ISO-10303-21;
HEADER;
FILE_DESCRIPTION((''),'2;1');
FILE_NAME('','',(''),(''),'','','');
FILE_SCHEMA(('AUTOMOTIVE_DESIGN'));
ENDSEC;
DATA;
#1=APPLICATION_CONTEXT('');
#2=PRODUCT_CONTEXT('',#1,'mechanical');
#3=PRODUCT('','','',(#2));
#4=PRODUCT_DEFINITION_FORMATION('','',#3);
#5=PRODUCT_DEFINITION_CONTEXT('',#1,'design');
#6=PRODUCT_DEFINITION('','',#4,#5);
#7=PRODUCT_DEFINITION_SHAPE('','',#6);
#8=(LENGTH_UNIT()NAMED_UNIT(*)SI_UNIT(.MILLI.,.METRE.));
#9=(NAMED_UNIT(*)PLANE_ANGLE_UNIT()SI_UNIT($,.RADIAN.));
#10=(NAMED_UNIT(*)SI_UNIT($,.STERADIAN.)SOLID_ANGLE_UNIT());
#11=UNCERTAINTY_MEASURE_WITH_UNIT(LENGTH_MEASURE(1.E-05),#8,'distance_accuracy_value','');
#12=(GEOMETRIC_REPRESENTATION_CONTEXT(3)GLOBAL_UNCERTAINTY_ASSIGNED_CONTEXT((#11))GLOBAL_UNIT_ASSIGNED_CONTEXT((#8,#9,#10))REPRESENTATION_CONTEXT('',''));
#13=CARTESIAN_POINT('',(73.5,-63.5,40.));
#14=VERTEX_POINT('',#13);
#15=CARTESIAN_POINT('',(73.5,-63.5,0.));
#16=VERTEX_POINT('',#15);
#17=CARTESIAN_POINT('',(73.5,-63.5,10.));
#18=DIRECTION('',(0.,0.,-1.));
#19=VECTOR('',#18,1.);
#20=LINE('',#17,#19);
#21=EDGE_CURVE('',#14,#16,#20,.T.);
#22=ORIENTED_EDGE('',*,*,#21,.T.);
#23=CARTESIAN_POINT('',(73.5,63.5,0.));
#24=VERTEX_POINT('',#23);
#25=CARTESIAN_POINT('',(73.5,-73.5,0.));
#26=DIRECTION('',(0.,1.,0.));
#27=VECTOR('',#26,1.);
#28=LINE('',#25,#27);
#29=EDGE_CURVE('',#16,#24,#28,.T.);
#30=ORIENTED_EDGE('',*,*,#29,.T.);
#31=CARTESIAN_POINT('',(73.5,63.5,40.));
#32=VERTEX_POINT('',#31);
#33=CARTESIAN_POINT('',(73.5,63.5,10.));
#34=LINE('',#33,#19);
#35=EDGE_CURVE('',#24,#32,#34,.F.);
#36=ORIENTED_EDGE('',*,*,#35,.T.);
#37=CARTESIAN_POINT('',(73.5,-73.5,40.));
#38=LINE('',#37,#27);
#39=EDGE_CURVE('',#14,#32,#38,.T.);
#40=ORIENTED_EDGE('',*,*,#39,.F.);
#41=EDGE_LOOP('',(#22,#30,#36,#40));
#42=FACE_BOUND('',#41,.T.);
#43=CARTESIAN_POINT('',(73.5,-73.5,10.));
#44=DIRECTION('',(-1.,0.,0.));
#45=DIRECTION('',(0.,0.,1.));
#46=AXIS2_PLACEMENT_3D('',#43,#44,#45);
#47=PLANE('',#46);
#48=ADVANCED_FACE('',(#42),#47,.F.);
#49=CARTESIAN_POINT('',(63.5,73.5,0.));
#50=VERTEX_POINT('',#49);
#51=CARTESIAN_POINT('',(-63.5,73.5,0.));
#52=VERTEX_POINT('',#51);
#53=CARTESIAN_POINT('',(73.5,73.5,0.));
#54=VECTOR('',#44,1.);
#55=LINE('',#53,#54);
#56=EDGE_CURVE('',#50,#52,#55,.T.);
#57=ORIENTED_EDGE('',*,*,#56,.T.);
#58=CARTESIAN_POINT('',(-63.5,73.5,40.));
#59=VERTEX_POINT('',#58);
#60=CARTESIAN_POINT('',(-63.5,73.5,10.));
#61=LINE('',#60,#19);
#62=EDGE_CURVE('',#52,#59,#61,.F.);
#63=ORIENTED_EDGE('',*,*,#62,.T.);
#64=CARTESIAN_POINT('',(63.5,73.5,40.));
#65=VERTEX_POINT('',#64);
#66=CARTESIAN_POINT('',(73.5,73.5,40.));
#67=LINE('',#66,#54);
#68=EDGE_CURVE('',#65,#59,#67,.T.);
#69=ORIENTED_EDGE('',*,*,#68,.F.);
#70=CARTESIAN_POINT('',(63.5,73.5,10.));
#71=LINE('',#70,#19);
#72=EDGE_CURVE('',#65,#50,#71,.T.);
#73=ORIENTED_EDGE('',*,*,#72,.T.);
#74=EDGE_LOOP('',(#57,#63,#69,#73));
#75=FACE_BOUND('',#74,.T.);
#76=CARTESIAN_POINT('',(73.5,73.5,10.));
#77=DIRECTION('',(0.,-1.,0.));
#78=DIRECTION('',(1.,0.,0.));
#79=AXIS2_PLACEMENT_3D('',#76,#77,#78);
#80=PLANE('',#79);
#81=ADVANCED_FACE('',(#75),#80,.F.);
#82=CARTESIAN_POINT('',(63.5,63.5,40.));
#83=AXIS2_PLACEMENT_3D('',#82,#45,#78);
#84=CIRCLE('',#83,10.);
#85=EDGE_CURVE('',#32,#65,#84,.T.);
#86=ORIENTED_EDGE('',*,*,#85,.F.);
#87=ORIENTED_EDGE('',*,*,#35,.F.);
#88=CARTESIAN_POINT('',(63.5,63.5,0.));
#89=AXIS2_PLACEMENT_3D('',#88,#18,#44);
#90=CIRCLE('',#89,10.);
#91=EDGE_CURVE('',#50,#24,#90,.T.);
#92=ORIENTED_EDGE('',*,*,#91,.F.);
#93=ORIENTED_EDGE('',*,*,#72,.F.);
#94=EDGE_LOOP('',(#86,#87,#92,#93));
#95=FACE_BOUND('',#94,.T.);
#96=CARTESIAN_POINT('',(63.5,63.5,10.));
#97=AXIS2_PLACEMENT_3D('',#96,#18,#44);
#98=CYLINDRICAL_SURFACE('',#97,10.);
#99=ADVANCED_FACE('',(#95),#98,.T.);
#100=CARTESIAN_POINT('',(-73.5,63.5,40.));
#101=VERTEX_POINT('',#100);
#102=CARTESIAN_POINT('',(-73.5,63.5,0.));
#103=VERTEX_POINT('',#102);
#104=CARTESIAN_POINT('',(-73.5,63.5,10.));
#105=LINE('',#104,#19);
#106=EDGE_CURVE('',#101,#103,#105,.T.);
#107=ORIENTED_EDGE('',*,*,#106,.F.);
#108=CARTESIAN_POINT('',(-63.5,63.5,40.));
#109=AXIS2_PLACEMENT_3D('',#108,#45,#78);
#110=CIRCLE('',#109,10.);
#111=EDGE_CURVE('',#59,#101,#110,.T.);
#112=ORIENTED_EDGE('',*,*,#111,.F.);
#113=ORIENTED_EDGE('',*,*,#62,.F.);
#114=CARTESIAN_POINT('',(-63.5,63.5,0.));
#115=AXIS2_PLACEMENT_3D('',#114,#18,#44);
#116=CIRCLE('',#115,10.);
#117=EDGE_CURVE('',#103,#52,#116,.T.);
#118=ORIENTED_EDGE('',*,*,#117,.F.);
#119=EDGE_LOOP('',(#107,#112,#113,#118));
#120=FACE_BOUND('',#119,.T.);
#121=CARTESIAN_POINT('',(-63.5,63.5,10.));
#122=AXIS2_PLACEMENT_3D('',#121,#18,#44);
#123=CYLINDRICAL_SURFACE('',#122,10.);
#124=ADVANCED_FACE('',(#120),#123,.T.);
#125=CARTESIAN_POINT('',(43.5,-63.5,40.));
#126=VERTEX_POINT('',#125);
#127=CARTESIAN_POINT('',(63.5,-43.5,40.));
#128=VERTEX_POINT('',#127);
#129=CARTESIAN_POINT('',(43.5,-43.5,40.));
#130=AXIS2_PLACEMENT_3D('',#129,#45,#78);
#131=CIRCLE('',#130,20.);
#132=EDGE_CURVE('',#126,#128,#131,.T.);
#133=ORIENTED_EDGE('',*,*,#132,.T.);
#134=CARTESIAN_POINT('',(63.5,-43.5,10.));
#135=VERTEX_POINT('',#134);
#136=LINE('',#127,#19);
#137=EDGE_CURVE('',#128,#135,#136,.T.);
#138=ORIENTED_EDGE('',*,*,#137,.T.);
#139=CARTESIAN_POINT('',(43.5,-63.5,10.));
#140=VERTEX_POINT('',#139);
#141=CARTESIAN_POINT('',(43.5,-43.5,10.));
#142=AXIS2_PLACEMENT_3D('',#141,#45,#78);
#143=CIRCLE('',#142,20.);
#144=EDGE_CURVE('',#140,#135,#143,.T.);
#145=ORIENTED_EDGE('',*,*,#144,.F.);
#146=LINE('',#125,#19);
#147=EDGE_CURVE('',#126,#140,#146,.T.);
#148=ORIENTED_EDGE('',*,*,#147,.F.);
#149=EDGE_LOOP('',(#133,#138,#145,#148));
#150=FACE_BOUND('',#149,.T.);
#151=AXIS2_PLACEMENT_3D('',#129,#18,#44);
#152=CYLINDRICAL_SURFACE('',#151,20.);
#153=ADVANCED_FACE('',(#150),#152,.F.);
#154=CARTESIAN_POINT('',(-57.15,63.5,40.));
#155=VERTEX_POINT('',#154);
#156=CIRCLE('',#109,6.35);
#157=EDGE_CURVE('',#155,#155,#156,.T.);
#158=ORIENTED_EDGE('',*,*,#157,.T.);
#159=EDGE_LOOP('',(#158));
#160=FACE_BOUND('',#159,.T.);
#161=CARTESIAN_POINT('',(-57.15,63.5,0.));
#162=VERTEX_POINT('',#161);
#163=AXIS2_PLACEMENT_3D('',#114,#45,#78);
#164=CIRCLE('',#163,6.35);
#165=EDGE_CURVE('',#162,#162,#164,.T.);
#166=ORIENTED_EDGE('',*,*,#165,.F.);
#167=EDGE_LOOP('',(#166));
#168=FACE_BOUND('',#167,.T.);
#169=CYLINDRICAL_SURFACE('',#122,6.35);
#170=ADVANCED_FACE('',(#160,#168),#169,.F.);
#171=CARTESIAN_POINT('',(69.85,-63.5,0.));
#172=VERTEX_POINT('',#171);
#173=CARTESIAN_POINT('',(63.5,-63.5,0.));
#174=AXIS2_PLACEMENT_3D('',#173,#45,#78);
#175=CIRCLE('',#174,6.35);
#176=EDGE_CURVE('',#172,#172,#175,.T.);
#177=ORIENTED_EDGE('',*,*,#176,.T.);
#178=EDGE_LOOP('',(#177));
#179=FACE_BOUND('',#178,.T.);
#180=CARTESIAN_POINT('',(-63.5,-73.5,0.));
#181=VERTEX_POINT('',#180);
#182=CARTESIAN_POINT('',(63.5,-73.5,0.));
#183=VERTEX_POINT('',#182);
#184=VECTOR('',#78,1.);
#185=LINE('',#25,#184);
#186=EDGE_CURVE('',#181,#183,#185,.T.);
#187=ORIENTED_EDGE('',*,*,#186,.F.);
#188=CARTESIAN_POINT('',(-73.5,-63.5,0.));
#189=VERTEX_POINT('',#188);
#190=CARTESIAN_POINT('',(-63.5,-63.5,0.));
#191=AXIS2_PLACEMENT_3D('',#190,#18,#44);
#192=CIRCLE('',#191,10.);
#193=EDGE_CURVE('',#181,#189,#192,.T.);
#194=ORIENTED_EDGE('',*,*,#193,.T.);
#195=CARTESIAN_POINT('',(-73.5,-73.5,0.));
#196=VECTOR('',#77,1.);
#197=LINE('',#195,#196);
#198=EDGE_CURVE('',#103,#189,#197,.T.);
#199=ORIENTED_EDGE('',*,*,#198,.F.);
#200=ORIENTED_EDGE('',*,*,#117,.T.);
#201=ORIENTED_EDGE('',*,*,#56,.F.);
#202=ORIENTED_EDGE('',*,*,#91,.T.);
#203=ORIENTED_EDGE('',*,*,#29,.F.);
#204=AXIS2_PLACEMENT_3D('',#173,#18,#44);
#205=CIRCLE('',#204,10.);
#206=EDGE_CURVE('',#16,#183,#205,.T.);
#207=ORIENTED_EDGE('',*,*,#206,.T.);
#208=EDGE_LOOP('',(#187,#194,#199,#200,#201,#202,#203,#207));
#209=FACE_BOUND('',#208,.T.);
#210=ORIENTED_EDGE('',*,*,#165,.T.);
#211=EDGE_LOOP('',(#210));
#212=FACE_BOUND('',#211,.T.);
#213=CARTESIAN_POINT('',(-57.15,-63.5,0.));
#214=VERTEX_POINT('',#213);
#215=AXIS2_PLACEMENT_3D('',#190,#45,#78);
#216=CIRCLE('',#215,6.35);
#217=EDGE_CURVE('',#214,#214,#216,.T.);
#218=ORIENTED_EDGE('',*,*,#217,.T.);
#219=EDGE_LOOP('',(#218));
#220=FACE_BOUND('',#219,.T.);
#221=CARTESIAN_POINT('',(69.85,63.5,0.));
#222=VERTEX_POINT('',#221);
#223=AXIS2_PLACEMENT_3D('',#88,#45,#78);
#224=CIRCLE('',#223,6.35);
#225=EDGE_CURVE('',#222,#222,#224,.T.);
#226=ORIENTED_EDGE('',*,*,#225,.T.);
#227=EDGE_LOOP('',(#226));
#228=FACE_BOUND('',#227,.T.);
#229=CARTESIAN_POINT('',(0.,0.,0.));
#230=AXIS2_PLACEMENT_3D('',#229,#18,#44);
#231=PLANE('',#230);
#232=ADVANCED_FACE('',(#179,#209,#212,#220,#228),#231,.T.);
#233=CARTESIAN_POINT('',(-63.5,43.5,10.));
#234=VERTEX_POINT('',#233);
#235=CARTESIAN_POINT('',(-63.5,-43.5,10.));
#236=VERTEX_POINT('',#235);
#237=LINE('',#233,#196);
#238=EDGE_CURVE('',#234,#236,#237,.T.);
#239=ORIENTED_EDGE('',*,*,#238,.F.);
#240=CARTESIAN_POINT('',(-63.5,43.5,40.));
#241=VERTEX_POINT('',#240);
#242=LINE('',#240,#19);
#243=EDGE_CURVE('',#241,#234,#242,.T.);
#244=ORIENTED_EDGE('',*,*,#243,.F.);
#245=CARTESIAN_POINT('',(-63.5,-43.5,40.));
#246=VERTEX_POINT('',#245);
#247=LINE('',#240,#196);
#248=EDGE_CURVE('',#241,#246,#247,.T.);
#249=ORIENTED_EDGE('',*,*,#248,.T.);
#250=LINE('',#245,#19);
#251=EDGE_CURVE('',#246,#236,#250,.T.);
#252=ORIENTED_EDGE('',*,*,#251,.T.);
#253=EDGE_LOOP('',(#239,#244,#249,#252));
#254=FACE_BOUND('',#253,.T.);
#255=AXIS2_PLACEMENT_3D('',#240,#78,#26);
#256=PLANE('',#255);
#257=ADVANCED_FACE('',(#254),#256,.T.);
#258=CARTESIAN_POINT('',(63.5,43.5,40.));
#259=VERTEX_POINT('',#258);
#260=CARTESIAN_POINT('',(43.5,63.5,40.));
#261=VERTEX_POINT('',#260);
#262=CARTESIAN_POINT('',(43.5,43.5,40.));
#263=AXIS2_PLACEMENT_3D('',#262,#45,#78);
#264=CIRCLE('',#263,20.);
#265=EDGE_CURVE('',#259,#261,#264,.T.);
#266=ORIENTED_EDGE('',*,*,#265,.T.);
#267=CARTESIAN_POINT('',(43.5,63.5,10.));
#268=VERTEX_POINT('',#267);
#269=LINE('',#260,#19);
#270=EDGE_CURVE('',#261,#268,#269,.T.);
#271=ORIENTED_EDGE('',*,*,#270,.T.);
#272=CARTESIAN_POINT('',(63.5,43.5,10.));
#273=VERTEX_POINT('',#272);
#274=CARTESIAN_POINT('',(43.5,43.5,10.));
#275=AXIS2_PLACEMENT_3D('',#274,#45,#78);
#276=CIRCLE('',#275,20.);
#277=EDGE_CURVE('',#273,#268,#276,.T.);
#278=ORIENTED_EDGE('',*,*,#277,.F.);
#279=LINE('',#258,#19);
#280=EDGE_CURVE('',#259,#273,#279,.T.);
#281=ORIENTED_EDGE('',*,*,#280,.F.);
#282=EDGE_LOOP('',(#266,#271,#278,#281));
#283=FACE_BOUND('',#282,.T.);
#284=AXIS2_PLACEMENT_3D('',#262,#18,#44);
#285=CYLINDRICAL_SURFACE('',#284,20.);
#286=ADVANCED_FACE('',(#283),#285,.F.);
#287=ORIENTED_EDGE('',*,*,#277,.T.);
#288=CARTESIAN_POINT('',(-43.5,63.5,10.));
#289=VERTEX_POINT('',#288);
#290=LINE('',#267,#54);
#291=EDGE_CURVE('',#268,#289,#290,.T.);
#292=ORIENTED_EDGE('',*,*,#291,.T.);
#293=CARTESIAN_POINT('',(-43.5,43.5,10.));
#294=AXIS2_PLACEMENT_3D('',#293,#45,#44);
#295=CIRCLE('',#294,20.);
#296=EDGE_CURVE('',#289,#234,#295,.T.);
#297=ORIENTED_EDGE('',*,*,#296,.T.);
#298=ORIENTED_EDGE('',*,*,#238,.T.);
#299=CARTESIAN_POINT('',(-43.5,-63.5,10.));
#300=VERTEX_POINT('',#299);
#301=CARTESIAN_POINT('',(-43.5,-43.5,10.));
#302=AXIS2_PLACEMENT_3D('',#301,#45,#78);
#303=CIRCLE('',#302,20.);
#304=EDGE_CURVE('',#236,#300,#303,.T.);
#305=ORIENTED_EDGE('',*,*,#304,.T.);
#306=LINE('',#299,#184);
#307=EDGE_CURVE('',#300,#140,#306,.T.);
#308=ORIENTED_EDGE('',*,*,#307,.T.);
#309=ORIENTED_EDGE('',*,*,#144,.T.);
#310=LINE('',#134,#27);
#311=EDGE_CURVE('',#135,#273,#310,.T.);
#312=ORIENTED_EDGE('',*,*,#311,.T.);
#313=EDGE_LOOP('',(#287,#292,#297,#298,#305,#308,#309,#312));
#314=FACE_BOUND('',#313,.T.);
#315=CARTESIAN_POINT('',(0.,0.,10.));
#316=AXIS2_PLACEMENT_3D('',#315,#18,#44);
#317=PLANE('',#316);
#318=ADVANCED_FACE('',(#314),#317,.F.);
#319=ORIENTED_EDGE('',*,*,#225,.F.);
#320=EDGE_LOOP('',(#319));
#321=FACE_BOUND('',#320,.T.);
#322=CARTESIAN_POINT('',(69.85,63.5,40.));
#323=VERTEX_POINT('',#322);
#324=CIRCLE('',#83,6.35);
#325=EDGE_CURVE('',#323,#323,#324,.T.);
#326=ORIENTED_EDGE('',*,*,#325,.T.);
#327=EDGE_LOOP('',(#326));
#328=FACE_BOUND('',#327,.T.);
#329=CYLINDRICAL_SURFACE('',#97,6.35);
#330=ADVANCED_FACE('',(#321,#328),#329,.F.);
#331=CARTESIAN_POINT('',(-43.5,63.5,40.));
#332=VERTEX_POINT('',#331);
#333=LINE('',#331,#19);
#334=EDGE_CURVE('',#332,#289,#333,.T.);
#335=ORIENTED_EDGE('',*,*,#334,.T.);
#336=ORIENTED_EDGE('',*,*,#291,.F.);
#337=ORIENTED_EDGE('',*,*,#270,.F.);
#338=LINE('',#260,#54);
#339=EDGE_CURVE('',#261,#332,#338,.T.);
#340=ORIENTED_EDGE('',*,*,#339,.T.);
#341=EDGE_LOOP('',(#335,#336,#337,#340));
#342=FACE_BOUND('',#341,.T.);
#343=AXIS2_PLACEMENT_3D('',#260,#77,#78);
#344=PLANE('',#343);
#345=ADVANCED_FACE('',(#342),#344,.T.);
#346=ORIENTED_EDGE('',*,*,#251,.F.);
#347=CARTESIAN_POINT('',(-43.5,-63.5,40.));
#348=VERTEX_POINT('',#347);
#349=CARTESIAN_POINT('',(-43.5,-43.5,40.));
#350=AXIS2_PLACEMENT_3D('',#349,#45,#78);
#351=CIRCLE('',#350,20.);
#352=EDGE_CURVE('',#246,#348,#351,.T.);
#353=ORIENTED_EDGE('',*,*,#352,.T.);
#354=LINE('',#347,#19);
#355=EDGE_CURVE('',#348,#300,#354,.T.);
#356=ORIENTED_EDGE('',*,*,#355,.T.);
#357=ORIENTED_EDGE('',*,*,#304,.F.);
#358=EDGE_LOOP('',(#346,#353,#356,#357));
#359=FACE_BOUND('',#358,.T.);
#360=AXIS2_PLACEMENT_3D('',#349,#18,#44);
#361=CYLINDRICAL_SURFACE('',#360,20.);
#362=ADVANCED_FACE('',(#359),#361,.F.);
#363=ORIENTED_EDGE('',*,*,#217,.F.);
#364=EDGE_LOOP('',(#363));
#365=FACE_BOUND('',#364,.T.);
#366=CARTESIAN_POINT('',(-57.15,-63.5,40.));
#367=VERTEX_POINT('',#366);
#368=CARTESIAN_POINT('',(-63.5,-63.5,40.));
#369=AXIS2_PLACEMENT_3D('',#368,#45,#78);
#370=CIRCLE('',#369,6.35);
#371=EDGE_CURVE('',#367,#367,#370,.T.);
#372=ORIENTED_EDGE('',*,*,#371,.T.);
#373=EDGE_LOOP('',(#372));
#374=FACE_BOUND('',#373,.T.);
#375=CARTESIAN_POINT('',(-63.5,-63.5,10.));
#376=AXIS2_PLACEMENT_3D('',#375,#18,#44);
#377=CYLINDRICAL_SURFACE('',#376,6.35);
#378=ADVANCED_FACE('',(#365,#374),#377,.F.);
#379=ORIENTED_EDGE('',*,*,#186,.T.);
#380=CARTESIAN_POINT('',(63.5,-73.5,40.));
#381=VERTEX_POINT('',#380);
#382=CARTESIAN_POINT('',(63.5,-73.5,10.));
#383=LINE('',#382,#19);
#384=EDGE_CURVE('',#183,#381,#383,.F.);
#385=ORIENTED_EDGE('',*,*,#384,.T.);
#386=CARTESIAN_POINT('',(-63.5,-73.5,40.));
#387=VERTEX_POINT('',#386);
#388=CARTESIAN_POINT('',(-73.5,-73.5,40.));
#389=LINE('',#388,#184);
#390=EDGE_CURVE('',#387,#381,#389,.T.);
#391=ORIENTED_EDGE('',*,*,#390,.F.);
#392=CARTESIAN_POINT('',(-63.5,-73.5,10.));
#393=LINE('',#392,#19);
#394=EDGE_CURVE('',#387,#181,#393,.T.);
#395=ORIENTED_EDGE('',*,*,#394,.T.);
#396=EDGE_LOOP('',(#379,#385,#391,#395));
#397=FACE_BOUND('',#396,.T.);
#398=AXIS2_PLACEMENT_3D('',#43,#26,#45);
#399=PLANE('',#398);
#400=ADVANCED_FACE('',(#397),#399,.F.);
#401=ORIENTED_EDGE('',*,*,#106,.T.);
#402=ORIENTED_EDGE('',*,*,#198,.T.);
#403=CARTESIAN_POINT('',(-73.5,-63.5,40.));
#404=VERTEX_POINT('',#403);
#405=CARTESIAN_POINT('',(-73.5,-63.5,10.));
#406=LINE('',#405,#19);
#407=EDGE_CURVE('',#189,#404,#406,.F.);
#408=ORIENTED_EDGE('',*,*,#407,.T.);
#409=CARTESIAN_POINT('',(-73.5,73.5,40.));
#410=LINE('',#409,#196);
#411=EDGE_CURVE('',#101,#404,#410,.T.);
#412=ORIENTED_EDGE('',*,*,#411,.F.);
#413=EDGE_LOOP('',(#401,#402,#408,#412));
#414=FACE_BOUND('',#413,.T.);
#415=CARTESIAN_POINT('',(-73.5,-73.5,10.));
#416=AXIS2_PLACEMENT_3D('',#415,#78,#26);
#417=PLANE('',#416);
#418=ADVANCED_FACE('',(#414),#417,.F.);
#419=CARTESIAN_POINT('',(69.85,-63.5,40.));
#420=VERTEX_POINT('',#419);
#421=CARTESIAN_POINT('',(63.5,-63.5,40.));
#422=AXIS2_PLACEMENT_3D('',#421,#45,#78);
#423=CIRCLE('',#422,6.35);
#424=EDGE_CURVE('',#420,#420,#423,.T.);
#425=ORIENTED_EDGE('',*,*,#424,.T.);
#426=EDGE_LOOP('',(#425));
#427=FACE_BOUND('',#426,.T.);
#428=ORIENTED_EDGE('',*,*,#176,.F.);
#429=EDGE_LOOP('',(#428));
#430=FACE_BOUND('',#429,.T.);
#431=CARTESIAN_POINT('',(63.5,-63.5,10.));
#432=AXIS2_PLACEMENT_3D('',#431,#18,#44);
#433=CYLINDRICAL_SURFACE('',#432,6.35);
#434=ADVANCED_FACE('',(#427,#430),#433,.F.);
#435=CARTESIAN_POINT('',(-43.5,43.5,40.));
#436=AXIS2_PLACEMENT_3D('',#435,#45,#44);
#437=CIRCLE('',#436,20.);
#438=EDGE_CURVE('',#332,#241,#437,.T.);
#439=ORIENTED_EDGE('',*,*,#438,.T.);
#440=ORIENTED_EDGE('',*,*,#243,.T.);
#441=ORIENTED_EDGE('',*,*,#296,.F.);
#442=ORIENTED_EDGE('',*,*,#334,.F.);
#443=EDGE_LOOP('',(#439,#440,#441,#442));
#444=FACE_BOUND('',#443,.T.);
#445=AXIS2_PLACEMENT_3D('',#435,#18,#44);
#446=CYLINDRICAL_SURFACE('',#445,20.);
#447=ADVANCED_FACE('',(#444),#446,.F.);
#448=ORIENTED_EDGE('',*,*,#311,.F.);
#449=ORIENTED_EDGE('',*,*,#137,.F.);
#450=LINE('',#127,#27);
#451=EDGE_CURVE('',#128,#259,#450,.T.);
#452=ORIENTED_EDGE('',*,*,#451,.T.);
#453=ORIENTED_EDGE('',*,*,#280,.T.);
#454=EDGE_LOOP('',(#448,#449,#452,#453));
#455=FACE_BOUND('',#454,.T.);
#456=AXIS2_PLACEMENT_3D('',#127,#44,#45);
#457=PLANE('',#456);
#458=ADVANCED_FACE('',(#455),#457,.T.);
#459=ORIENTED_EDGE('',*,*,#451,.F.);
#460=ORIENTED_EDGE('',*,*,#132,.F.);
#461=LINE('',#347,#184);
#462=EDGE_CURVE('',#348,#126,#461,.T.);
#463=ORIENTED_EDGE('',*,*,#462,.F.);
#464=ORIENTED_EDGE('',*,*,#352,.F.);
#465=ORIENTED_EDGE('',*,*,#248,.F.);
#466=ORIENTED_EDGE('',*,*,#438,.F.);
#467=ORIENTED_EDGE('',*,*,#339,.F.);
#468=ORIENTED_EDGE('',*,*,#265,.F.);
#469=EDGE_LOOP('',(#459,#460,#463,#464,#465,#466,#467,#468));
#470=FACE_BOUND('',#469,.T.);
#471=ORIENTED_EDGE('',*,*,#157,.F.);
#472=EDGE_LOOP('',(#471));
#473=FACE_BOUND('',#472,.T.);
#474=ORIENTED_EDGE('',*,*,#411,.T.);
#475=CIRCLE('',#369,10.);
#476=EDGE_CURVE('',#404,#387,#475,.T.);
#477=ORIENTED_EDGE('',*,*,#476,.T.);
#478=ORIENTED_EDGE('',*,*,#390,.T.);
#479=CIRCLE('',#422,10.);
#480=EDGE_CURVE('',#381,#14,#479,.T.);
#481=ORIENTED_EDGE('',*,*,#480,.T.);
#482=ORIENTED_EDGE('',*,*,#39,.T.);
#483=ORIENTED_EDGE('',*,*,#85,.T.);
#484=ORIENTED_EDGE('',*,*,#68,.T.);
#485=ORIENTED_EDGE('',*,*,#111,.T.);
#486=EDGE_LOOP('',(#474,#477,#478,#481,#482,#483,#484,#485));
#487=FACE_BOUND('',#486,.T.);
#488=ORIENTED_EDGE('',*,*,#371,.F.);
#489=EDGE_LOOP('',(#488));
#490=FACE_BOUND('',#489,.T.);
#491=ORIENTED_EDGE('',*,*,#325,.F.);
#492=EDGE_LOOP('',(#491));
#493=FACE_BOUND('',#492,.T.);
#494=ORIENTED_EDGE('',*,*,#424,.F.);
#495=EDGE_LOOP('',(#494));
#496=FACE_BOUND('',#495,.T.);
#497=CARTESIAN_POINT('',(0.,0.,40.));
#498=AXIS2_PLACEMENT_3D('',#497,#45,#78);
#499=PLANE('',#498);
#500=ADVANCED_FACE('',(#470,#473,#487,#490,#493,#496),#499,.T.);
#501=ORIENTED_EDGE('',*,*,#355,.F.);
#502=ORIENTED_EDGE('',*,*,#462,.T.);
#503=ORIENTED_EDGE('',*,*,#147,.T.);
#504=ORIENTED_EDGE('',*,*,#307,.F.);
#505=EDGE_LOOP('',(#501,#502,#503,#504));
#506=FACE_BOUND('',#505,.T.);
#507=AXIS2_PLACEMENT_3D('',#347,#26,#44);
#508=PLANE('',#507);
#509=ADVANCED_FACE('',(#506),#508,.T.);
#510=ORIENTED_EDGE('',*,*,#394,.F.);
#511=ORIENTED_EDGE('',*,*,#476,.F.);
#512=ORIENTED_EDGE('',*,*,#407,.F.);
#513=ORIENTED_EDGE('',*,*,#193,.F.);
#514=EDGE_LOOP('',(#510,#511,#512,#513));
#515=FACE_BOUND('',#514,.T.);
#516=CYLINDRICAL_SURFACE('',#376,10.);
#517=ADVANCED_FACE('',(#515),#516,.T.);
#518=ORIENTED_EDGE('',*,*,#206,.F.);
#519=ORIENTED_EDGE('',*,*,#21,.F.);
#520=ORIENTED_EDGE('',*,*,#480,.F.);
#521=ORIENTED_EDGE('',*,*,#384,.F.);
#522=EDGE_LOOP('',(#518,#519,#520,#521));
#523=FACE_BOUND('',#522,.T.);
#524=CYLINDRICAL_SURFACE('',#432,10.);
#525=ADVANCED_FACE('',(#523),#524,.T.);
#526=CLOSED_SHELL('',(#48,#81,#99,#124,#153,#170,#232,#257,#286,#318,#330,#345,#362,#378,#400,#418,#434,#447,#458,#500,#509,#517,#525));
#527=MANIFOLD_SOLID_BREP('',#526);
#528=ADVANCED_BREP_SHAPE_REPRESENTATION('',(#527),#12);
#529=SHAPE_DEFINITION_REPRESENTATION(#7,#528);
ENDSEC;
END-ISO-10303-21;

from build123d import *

# Parameters (mm, degrees)
SKETCH1_W           = 147
SKETCH1_H           = 147
SKETCH1_R           = 6.35
BOSS_EXTRUDE1_DEPTH = 10
SKETCH2_W           = 147
SKETCH2_H           = 147
SKETCH2_R           = 6.35
BOSS_EXTRUDE2_DEPTH = 30
FILLET1_R           = 10


with BuildPart() as part:
    # Sketch1 → Boss-Extrude1 (new body)
    with BuildSketch(Plane.XY):
        Rectangle(SKETCH1_W, SKETCH1_H)
        with Locations((-63.5, 63.5)):
            Circle(SKETCH1_R, mode=Mode.SUBTRACT)
        with Locations((63.5, 63.5)):
            Circle(SKETCH1_R, mode=Mode.SUBTRACT)
        with Locations((63.5, -63.5)):
            Circle(SKETCH1_R, mode=Mode.SUBTRACT)
        with Locations((-63.5, -63.5)):
            Circle(SKETCH1_R, mode=Mode.SUBTRACT)
    extrude(amount=BOSS_EXTRUDE1_DEPTH)

    # Sketch2 → Boss-Extrude2 (add)
    with BuildSketch(Plane.XY.offset(10)):
        Rectangle(SKETCH2_W, SKETCH2_H)
        with Locations((-63.5, -63.5)):
            Circle(SKETCH2_R, mode=Mode.SUBTRACT)
        with Locations((63.5, -63.5)):
            Circle(SKETCH2_R, mode=Mode.SUBTRACT)
        with Locations((63.5, 63.5)):
            Circle(SKETCH2_R, mode=Mode.SUBTRACT)
        with Locations((-63.5, 63.5)):
            Circle(SKETCH2_R, mode=Mode.SUBTRACT)
        with BuildLine():
            Line((-43.5, -63.5), (43.5, -63.5))
            ThreePointArc((43.5, -63.5), (57.642135624, -57.642135624), (63.5, -43.5))
            Line((63.5, -43.5), (63.5, 43.5))
            ThreePointArc((63.5, 43.5), (57.642135624, 57.642135624), (43.5, 63.5))
            Line((43.5, 63.5), (-43.5, 63.5))
            ThreePointArc((-43.5, 63.5), (-57.642135624, 57.642135624), (-63.5, 43.5))
            Line((-63.5, 43.5), (-63.5, -43.5))
            ThreePointArc((-63.5, -43.5), (-57.642135624, -57.642135624), (-43.5, -63.5))
        make_face(mode=Mode.SUBTRACT)
    extrude(amount=BOSS_EXTRUDE2_DEPTH)

    # Fillet1
    fillet1_edges = [part.edges().sort_by_distance(p)[0] for p in [
        (-73.5, -73.5, 20),
        (-73.5, 73.5, 20),
        (73.5, 73.5, 20),
        (73.5, -73.5, 20),
    ]]
    fillet(fillet1_edges, radius=FILLET1_R)


solid = part.part
